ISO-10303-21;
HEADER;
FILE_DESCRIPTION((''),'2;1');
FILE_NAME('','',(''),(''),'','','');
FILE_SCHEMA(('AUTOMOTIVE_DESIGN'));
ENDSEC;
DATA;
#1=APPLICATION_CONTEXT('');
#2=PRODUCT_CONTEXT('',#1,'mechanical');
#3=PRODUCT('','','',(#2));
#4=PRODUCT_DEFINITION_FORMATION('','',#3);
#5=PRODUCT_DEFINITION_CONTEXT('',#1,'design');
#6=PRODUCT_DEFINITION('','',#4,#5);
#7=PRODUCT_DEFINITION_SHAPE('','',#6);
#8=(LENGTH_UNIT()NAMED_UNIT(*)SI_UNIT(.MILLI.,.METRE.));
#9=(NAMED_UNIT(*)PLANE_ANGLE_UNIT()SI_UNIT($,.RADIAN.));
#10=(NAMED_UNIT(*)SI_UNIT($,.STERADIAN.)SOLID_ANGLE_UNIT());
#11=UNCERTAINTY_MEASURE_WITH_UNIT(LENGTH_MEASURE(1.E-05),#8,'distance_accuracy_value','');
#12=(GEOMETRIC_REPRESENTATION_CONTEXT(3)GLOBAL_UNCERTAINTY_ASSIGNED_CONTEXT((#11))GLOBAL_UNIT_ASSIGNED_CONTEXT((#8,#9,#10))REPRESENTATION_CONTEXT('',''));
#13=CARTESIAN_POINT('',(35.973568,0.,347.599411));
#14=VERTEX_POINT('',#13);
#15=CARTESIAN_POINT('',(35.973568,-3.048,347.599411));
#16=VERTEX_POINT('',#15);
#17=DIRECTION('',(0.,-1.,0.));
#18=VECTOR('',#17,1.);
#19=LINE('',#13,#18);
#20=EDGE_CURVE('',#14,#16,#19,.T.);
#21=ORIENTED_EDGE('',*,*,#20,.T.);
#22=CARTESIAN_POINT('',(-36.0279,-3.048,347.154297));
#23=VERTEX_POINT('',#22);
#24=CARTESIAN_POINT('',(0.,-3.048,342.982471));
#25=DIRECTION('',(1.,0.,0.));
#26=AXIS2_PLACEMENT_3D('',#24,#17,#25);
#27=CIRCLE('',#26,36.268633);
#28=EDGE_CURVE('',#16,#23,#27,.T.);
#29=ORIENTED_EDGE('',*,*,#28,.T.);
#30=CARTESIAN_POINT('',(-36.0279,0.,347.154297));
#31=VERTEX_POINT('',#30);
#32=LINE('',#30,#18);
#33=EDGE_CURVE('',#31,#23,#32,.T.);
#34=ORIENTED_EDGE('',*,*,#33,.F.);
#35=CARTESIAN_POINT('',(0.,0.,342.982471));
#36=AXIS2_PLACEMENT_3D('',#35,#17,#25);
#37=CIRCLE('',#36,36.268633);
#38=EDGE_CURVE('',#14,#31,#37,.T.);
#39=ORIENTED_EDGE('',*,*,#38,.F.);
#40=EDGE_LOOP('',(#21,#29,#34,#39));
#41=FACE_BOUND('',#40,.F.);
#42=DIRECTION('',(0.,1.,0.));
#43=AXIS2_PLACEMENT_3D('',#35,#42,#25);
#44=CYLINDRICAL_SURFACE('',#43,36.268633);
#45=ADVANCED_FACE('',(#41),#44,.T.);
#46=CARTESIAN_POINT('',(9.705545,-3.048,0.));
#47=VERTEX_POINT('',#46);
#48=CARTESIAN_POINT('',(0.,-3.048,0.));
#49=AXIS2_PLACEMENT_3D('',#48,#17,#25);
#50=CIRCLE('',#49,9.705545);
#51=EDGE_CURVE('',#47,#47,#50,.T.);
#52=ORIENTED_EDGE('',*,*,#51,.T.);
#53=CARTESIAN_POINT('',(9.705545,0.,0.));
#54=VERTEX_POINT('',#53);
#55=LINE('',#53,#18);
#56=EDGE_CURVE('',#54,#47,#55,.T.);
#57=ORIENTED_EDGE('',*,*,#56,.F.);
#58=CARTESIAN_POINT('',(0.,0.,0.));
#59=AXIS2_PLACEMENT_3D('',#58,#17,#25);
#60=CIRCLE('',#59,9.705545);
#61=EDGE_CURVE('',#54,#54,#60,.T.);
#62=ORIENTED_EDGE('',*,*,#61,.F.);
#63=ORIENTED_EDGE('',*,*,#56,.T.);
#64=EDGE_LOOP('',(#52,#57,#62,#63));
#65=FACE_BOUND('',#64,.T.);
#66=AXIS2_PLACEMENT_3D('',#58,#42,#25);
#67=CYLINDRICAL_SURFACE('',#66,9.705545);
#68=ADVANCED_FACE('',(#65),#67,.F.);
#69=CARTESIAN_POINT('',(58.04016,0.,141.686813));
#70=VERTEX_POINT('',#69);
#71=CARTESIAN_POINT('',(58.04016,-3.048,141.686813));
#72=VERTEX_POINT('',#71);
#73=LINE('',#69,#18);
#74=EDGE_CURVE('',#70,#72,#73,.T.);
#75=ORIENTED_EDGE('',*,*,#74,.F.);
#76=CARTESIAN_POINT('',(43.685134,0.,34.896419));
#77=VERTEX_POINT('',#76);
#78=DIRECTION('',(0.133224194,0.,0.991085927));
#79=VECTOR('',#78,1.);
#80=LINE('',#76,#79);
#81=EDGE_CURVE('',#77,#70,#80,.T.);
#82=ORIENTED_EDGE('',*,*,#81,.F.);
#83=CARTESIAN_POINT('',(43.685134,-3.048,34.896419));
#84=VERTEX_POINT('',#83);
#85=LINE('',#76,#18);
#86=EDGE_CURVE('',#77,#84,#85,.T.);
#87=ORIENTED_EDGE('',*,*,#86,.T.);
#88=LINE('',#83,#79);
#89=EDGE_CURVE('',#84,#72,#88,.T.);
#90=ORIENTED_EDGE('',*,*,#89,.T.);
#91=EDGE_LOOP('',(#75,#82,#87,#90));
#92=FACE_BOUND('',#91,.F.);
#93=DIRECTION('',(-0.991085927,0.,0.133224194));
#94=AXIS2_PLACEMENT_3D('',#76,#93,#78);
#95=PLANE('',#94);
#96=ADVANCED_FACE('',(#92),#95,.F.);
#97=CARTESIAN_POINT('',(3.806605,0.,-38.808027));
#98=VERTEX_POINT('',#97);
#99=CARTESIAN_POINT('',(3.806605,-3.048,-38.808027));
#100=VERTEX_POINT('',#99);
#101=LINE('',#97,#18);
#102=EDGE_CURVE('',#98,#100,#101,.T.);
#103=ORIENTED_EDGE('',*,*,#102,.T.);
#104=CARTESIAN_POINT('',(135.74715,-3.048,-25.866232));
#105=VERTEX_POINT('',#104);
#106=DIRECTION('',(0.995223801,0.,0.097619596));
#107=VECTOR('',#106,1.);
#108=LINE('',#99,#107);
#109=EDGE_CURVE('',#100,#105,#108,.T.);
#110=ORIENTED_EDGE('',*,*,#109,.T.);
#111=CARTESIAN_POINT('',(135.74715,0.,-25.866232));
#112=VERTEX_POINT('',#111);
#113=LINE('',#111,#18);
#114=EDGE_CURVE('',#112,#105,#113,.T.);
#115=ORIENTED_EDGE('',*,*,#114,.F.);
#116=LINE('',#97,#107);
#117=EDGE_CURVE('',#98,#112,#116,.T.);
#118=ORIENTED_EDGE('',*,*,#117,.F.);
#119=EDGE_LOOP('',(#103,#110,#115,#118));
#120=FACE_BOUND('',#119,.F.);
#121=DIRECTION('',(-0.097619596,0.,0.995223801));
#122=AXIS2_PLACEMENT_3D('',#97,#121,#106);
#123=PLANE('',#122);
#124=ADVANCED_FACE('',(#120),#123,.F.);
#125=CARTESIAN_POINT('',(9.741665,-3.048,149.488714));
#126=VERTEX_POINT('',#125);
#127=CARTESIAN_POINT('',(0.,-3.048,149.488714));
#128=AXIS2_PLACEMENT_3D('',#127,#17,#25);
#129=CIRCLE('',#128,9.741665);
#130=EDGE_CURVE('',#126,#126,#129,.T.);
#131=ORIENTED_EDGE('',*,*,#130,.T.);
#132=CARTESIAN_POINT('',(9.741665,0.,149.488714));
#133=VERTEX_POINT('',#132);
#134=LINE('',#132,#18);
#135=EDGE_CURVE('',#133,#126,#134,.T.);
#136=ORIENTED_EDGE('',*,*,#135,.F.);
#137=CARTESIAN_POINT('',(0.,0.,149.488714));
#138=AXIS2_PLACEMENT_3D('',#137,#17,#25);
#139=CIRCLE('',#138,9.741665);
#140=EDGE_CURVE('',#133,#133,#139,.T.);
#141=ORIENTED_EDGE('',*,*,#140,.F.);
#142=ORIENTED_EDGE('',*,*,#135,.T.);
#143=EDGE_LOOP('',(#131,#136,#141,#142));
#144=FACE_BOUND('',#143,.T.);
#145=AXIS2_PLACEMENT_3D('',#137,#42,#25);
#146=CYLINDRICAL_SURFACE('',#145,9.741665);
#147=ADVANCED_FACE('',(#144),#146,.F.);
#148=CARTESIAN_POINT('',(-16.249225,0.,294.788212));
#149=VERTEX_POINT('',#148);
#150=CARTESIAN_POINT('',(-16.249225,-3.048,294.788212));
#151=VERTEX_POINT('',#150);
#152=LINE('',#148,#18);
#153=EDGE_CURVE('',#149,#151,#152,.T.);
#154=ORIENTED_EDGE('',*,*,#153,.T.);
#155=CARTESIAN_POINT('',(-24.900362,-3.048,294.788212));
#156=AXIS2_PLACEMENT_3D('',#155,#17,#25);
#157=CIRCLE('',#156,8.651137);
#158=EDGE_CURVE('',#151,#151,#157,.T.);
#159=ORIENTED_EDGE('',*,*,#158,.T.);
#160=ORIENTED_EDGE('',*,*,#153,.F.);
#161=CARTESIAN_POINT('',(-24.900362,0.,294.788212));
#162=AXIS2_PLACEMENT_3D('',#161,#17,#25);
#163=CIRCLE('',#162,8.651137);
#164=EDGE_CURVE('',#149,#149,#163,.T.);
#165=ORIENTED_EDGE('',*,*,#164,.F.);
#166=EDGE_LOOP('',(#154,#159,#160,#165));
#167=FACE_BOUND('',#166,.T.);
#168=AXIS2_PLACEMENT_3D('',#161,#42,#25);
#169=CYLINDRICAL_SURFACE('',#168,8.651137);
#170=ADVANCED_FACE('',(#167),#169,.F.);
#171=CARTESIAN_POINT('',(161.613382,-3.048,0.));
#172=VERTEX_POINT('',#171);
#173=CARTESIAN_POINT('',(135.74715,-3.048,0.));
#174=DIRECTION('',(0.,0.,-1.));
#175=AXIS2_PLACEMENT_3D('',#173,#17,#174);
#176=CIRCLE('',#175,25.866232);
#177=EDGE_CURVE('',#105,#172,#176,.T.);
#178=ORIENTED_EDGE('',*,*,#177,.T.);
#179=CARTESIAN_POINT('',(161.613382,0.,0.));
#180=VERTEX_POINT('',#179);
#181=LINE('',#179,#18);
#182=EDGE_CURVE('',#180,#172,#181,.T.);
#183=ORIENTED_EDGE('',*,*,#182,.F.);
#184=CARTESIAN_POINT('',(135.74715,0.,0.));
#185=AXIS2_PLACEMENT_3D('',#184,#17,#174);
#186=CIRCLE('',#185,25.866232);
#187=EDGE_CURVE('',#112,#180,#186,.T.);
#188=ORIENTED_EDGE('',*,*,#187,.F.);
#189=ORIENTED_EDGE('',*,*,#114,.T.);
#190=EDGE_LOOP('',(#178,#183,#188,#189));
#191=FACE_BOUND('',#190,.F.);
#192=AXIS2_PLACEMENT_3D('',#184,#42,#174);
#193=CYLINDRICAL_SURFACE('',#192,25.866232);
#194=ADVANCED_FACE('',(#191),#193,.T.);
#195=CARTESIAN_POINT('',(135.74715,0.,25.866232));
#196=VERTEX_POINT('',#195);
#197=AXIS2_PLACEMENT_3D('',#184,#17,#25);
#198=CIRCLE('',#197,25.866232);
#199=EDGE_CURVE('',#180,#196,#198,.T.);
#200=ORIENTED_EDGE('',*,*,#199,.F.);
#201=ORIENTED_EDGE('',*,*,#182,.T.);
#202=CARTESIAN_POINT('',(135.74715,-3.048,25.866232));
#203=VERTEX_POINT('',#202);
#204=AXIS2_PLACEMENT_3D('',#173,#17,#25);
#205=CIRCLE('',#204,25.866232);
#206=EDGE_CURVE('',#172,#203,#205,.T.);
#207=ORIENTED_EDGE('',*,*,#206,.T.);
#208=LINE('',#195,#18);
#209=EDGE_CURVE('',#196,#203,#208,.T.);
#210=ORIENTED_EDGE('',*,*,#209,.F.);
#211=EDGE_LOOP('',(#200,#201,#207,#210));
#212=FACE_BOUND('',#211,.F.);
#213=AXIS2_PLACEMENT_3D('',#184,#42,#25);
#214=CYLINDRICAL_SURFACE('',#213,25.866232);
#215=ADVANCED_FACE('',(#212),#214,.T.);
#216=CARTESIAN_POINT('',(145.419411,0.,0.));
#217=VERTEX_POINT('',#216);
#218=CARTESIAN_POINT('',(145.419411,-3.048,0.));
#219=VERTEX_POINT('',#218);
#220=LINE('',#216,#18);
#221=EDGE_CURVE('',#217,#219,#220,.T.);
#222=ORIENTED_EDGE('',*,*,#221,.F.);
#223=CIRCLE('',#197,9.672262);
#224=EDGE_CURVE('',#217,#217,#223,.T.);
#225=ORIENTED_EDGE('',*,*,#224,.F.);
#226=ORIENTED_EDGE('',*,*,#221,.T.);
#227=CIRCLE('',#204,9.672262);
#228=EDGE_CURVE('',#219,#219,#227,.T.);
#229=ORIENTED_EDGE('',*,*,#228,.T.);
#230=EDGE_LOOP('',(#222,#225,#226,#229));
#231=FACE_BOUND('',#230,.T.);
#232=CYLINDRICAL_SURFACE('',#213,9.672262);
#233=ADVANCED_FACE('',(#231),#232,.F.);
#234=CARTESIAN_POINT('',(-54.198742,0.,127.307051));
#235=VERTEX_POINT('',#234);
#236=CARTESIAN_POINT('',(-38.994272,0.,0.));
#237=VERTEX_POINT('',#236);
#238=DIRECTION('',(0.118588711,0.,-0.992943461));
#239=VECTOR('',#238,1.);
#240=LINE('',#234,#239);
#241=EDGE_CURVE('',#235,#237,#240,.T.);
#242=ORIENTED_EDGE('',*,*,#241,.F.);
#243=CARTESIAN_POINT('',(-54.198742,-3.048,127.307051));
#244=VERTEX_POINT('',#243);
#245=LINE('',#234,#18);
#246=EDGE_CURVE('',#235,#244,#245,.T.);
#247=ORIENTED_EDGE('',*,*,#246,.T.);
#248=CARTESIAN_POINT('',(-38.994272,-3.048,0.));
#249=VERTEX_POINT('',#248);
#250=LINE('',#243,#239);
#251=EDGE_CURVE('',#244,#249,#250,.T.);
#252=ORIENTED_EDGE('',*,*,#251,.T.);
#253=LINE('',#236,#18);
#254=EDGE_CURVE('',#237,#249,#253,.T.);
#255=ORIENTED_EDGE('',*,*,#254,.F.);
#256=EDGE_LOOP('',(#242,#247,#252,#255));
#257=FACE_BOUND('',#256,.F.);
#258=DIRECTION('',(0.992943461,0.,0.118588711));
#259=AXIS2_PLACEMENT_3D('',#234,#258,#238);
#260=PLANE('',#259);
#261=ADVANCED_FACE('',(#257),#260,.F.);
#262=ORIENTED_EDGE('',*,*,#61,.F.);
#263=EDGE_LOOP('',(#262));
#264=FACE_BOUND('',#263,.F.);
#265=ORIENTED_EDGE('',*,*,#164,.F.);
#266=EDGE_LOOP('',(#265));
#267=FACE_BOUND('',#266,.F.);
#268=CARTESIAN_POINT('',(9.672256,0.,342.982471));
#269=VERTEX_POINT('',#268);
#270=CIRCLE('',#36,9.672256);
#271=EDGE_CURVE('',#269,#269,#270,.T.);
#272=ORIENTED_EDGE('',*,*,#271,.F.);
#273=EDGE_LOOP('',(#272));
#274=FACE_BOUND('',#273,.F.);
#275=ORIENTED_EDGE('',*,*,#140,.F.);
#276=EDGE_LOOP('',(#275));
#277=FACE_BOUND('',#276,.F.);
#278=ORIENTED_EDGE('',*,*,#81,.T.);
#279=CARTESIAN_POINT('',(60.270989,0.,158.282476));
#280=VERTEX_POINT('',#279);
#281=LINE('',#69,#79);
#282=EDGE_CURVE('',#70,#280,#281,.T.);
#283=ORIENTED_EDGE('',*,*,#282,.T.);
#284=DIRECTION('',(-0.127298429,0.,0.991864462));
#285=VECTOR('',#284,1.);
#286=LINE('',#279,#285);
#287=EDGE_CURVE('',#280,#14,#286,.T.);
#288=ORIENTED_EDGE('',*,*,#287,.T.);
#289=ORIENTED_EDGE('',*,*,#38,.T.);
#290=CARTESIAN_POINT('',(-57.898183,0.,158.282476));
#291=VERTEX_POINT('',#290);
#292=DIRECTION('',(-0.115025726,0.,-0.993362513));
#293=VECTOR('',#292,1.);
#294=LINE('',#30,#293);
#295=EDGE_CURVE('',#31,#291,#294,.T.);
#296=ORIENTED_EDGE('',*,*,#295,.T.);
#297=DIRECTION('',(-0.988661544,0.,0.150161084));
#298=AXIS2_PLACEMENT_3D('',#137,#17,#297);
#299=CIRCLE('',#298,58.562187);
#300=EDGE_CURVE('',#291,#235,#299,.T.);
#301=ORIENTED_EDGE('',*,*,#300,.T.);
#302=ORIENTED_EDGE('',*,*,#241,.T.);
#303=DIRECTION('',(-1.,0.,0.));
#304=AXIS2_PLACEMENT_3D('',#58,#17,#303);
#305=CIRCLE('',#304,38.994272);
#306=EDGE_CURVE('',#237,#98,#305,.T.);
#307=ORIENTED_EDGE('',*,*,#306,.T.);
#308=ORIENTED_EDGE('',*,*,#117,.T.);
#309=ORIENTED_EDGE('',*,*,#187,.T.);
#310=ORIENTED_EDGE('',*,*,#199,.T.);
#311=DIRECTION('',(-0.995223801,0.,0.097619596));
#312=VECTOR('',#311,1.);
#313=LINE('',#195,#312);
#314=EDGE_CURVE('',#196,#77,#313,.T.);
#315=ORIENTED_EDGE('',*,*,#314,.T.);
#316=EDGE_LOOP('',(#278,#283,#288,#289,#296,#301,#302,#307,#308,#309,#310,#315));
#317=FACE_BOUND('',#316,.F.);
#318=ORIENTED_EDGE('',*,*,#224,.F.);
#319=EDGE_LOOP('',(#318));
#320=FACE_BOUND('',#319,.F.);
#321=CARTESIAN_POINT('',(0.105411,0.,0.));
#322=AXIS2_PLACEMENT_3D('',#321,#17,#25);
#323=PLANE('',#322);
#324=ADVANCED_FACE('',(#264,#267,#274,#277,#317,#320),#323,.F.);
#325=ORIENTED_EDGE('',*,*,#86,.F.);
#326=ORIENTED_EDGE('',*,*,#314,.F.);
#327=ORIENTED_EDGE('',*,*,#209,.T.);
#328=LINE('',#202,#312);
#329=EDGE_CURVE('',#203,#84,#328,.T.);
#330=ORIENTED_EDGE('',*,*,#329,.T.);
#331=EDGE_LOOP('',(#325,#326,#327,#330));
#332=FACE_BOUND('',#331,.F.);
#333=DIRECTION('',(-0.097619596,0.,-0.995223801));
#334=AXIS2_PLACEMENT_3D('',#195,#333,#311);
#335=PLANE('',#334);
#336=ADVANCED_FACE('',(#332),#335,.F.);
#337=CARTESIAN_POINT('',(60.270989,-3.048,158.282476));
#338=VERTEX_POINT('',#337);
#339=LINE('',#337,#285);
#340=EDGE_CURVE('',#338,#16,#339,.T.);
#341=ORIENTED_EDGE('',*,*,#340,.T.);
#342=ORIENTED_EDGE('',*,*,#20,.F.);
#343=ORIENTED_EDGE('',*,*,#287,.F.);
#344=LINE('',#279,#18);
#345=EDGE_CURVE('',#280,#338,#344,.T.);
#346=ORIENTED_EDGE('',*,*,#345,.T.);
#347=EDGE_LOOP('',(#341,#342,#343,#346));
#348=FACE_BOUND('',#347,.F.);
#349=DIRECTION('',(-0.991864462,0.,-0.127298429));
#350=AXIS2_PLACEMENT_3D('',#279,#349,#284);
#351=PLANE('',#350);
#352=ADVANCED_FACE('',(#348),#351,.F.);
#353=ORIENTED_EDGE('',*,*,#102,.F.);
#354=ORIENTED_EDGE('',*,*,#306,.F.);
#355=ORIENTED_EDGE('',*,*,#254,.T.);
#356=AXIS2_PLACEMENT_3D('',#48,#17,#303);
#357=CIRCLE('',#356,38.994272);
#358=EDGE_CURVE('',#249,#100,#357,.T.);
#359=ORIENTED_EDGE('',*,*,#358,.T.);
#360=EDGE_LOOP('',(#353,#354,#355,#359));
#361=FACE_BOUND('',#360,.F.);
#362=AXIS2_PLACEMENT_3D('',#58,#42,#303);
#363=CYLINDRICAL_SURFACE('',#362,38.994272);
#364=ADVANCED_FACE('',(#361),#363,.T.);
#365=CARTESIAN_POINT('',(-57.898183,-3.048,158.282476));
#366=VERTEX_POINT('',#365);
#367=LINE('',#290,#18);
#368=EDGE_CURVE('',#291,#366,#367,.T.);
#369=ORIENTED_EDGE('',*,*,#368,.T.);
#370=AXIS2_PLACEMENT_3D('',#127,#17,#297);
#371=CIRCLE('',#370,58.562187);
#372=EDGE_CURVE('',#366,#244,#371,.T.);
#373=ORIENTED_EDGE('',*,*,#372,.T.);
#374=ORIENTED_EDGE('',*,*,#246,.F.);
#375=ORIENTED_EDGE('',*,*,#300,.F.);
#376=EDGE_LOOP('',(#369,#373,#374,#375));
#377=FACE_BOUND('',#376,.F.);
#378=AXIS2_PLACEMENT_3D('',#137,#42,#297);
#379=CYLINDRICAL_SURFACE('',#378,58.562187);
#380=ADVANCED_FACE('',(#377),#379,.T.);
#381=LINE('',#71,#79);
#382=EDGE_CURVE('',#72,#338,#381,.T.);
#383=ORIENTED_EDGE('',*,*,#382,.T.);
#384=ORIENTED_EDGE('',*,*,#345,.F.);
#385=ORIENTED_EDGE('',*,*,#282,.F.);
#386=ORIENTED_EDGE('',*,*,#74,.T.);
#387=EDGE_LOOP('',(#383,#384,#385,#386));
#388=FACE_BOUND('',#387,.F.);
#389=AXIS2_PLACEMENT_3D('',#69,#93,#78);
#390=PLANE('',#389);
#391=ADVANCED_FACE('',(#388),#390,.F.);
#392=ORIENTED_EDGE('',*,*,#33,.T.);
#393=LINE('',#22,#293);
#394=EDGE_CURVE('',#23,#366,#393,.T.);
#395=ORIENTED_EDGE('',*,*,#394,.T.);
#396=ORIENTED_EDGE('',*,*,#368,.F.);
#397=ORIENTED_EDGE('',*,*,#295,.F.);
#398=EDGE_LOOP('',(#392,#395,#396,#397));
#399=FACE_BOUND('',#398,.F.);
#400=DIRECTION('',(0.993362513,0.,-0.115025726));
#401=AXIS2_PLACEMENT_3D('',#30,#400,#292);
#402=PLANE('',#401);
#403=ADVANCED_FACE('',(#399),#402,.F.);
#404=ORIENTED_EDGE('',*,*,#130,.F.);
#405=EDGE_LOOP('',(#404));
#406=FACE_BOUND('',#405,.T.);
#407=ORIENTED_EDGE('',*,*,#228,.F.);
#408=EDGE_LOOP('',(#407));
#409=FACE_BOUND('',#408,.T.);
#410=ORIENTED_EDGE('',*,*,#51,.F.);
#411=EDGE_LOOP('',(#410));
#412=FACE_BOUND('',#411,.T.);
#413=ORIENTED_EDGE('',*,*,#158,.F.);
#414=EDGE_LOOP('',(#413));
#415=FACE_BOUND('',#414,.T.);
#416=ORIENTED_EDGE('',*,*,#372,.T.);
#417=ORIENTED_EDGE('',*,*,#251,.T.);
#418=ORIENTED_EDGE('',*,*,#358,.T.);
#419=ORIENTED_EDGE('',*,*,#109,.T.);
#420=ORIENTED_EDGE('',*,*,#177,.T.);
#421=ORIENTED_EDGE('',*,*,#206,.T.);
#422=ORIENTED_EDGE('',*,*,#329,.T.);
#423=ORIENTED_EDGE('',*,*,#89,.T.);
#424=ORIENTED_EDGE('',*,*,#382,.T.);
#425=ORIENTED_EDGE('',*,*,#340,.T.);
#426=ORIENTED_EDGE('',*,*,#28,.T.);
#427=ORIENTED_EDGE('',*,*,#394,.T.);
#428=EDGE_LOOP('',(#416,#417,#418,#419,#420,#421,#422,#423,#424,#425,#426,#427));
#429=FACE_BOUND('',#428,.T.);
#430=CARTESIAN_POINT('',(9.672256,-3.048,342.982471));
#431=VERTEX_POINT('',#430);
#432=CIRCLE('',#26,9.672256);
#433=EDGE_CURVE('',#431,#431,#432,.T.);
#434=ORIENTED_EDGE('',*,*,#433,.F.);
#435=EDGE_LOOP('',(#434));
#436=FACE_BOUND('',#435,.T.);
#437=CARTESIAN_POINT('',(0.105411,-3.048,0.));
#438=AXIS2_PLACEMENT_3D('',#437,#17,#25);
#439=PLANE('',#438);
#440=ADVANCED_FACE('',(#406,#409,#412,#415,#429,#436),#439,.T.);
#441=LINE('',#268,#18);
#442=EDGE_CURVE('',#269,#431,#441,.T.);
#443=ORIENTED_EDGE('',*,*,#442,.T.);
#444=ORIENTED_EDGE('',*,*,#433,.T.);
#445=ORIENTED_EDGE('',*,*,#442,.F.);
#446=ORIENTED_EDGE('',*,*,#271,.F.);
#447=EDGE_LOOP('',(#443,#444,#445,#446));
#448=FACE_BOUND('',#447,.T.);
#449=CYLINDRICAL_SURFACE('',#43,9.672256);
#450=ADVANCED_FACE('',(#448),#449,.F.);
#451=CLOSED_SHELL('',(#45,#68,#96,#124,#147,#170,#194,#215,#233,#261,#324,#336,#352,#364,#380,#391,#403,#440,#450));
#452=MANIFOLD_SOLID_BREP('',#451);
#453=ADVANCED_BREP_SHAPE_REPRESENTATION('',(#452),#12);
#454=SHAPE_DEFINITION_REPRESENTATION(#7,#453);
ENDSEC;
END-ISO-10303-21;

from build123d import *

# Parameters (mm, degrees)
F0_R     = 9.7055451223
F0_R_2   = 9.741664506
F0_R_3   = 9.6722617748
F0_R_4   = 8.6511366969
F0_R_5   = 9.6722557952
F1_DEPTH = 3.048


with BuildPart() as f1:
    # F0 (on Front) → F1 (new body)
    with BuildSketch(Plane.XZ):
        with BuildLine():
            ThreePointArc((3.8066026136, 38.808027463), (-26.1927234435, 28.8876177218), (-38.9942716181, 0))
            ThreePointArc((-38.9942716181, 0), (-26.1927225437, -28.8876185377), (3.8066050311, -38.8080272259))
            ThreePointArc((3.8066050311, -38.8080272259), (28.8876185377, -26.1927225437), (38.9942716181, 0))
            ThreePointArc((38.9942716181, 0), (28.8876177218, 26.1927234435), (3.8066026136, 38.808027463))
        make_face()
        Circle(F0_R, mode=Mode.SUBTRACT)
        with BuildLine():
            Line((-54.198741575, 127.3070507144), (-38.9942716181, 0))
            ThreePointArc((-38.9942716181, 0), (-26.1927234435, 28.8876177218), (3.8066026136, 38.808027463))
            Line((3.8066026136, 38.808027463), (43.6851335777, 34.8964187714))
            Line((43.6851335777, 34.8964187714), (58.0401596038, 141.6868133715))
            ThreePointArc((58.0401596038, 141.6868133715), (7.4420102551, 91.4013122397), (-54.198741575, 127.3070507144))
        make_face()
        with BuildLine():
            ThreePointArc((38.9942716181, 0), (28.8876185377, -26.1927225437), (3.8066050311, -38.8080272259))
            Line((3.8066050311, -38.8080272259), (135.7471495867, -25.8662320197))
            ThreePointArc((135.7471495867, -25.8662320197), (109.880917567, 0), (135.7471495867, 25.8662320197))
            Line((135.7471495867, 25.8662320197), (43.6851335777, 34.8964187714))
            Line((43.6851335777, 34.8964187714), (38.9942716181, 0))
        make_face()
        with BuildLine():
            Line((43.6851335777, 34.8964187714), (3.8066026136, 38.808027463))
            ThreePointArc((3.8066026136, 38.808027463), (28.8876177218, 26.1927234435), (38.9942716181, 0))
            Line((38.9942716181, 0), (43.6851335777, 34.8964187714))
        make_face()
        with BuildLine():
            Line((-57.8981825428, 158.2824757208), (-54.198741575, 127.3070507144))
            ThreePointArc((-54.198741575, 127.3070507144), (7.4420102551, 91.4013122397), (58.0401596038, 141.6868133715))
            ThreePointArc((58.0401596038, 141.6868133715), (58.4315346455, 145.5790412778), (58.5621873175, 149.4887142024))
            ThreePointArc((58.5621873175, 149.4887142024), (4.409397464, 207.8846643822), (-57.8981825428, 158.2824757208))
        make_face()
        with Locations((0, 149.4887142024)):
            Circle(F0_R_2, mode=Mode.SUBTRACT)
        with BuildLine():
            ThreePointArc((-57.8981825428, 158.2824757208), (-58.1489409856, 142.5438999028), (-54.198741575, 127.3070507144))
            Line((-54.198741575, 127.3070507144), (-57.8981825428, 158.2824757208))
        make_face()
        with BuildLine():
            ThreePointArc((135.7471495867, 25.8662320197), (109.880917567, 0), (135.7471495867, -25.8662320197))
            ThreePointArc((135.7471495867, -25.8662320197), (154.0373376515, -18.2901880649), (161.6133816064, 0))
            ThreePointArc((161.6133816064, 0), (154.0373376515, 18.2901880649), (135.7471495867, 25.8662320197))
        make_face()
        with Locations((135.7471495867, 0)):
            Circle(F0_R_3, mode=Mode.SUBTRACT)
        with BuildLine():
            Line((-36.0279004475, 347.1542968414), (-57.8981825428, 158.2824757208))
            ThreePointArc((-57.8981825428, 158.2824757208), (4.409397464, 207.8846643822), (58.5621873175, 149.4887142024))
            ThreePointArc((58.5621873175, 149.4887142024), (58.4315346455, 145.5790412778), (58.0401596038, 141.6868133715))
            Line((58.0401596038, 141.6868133715), (60.2709891258, 158.2824757208))
            Line((60.2709891258, 158.2824757208), (35.9735681678, 347.599410979))
            ThreePointArc((35.9735681678, 347.599410979), (36.1947916427, 345.2956505186), (36.2686330263, 342.9824709892))
            ThreePointArc((36.2686330263, 342.9824709892), (-2.0893828703, 306.7740711238), (-36.0279004475, 347.1542968414))
        make_face()
        with Locations((-24.9003618956, 294.7882115841)):
            Circle(F0_R_4, mode=Mode.SUBTRACT)
        with BuildLine():
            ThreePointArc((35.9735681678, 347.599410979), (-0.2242089383, 379.2504109906), (-36.0279004475, 347.1542968414))
            ThreePointArc((-36.0279004475, 347.1542968414), (-2.0893828703, 306.7740711238), (36.2686330263, 342.9824709892))
            ThreePointArc((36.2686330263, 342.9824709892), (36.1947916427, 345.2956505186), (35.9735681678, 347.599410979))
        make_face()
        with Locations((0, 342.9824709892)):
            Circle(F0_R_5, mode=Mode.SUBTRACT)
    extrude(amount=F1_DEPTH)


solid = f1.part
